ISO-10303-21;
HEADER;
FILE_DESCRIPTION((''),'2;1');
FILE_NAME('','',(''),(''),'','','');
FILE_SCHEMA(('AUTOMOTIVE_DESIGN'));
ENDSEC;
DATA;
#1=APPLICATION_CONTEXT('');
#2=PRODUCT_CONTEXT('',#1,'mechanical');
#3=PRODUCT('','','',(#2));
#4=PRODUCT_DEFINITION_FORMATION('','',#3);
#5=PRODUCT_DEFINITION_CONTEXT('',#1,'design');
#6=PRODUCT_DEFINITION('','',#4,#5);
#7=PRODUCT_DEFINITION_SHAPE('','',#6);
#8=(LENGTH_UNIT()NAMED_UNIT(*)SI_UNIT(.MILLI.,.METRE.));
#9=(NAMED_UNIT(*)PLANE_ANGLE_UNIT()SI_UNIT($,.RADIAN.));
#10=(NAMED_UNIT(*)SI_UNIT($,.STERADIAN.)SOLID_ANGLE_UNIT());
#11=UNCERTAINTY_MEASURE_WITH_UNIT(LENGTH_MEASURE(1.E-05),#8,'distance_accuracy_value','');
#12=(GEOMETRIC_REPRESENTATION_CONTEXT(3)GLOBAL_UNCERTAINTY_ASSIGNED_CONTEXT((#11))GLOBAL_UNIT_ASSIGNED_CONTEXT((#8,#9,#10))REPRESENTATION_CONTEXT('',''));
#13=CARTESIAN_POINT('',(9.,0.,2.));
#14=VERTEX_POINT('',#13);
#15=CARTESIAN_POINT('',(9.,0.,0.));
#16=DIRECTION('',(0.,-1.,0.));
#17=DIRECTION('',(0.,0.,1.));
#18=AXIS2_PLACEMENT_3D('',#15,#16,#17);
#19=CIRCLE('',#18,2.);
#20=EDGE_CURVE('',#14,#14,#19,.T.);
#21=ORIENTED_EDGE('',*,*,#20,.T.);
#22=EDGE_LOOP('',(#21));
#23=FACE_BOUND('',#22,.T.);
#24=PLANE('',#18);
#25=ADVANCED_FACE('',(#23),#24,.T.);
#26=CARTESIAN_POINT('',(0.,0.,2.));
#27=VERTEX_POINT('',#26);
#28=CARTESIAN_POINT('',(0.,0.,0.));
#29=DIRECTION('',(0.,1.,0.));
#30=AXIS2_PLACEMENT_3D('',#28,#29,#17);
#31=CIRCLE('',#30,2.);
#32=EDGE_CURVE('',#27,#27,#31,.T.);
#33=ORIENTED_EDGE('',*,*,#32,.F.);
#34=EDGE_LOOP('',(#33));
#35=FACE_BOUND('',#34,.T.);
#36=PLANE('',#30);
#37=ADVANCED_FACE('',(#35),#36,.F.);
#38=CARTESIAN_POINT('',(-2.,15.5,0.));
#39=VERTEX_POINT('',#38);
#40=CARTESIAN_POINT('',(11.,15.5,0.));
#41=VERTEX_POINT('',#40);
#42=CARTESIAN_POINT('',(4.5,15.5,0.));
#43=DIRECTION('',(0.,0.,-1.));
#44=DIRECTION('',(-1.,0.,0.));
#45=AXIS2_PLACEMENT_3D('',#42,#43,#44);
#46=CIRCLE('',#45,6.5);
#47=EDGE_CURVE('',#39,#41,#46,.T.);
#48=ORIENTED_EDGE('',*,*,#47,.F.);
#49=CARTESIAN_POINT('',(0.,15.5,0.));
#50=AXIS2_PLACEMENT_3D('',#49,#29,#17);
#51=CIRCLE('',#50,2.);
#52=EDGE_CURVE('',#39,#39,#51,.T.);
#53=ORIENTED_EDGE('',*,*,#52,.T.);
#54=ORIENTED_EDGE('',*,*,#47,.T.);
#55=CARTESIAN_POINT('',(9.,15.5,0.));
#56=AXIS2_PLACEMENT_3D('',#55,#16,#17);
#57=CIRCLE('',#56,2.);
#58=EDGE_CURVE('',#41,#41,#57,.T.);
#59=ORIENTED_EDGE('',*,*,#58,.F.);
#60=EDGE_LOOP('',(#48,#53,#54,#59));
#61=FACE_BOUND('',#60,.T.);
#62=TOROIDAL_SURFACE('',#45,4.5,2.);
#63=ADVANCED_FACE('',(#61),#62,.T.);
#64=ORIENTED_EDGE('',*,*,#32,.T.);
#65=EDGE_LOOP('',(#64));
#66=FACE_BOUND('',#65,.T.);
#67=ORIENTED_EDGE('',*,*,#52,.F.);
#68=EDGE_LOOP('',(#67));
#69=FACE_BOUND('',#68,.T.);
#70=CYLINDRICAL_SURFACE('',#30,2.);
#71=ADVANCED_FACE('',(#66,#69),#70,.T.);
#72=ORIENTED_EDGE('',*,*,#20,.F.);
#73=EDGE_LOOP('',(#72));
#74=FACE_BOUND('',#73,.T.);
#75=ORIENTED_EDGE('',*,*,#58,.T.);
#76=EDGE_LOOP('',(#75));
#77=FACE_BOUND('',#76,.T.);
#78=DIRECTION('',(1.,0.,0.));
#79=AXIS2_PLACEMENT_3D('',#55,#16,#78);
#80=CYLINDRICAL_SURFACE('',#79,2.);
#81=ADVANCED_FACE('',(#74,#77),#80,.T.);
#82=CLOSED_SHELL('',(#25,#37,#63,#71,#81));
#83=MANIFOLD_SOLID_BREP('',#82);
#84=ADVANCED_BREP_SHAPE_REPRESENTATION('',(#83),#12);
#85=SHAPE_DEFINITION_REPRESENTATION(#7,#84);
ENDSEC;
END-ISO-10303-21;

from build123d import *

# Parameters (mm, degrees)
SKETCH2_R = 2


with BuildPart() as part:
    # Sweep1: sweep along a path in Sketch1
    with BuildLine(Plane.XY) as sweep1_path:
        Line((0, 0), (0, 15.5))
        ThreePointArc((0, 15.5), (4.5, 20), (9, 15.5))
        Line((9, 15.5), (9, 0))
    # Sketch2 → Sweep1 (sweep)
    with BuildSketch(Plane(origin=(0, 0, 0), x_dir=(1, 0, 0), z_dir=(0, 1, 0))):
        Circle(SKETCH2_R)
    sweep(path=sweep1_path.line)


solid = part.part
